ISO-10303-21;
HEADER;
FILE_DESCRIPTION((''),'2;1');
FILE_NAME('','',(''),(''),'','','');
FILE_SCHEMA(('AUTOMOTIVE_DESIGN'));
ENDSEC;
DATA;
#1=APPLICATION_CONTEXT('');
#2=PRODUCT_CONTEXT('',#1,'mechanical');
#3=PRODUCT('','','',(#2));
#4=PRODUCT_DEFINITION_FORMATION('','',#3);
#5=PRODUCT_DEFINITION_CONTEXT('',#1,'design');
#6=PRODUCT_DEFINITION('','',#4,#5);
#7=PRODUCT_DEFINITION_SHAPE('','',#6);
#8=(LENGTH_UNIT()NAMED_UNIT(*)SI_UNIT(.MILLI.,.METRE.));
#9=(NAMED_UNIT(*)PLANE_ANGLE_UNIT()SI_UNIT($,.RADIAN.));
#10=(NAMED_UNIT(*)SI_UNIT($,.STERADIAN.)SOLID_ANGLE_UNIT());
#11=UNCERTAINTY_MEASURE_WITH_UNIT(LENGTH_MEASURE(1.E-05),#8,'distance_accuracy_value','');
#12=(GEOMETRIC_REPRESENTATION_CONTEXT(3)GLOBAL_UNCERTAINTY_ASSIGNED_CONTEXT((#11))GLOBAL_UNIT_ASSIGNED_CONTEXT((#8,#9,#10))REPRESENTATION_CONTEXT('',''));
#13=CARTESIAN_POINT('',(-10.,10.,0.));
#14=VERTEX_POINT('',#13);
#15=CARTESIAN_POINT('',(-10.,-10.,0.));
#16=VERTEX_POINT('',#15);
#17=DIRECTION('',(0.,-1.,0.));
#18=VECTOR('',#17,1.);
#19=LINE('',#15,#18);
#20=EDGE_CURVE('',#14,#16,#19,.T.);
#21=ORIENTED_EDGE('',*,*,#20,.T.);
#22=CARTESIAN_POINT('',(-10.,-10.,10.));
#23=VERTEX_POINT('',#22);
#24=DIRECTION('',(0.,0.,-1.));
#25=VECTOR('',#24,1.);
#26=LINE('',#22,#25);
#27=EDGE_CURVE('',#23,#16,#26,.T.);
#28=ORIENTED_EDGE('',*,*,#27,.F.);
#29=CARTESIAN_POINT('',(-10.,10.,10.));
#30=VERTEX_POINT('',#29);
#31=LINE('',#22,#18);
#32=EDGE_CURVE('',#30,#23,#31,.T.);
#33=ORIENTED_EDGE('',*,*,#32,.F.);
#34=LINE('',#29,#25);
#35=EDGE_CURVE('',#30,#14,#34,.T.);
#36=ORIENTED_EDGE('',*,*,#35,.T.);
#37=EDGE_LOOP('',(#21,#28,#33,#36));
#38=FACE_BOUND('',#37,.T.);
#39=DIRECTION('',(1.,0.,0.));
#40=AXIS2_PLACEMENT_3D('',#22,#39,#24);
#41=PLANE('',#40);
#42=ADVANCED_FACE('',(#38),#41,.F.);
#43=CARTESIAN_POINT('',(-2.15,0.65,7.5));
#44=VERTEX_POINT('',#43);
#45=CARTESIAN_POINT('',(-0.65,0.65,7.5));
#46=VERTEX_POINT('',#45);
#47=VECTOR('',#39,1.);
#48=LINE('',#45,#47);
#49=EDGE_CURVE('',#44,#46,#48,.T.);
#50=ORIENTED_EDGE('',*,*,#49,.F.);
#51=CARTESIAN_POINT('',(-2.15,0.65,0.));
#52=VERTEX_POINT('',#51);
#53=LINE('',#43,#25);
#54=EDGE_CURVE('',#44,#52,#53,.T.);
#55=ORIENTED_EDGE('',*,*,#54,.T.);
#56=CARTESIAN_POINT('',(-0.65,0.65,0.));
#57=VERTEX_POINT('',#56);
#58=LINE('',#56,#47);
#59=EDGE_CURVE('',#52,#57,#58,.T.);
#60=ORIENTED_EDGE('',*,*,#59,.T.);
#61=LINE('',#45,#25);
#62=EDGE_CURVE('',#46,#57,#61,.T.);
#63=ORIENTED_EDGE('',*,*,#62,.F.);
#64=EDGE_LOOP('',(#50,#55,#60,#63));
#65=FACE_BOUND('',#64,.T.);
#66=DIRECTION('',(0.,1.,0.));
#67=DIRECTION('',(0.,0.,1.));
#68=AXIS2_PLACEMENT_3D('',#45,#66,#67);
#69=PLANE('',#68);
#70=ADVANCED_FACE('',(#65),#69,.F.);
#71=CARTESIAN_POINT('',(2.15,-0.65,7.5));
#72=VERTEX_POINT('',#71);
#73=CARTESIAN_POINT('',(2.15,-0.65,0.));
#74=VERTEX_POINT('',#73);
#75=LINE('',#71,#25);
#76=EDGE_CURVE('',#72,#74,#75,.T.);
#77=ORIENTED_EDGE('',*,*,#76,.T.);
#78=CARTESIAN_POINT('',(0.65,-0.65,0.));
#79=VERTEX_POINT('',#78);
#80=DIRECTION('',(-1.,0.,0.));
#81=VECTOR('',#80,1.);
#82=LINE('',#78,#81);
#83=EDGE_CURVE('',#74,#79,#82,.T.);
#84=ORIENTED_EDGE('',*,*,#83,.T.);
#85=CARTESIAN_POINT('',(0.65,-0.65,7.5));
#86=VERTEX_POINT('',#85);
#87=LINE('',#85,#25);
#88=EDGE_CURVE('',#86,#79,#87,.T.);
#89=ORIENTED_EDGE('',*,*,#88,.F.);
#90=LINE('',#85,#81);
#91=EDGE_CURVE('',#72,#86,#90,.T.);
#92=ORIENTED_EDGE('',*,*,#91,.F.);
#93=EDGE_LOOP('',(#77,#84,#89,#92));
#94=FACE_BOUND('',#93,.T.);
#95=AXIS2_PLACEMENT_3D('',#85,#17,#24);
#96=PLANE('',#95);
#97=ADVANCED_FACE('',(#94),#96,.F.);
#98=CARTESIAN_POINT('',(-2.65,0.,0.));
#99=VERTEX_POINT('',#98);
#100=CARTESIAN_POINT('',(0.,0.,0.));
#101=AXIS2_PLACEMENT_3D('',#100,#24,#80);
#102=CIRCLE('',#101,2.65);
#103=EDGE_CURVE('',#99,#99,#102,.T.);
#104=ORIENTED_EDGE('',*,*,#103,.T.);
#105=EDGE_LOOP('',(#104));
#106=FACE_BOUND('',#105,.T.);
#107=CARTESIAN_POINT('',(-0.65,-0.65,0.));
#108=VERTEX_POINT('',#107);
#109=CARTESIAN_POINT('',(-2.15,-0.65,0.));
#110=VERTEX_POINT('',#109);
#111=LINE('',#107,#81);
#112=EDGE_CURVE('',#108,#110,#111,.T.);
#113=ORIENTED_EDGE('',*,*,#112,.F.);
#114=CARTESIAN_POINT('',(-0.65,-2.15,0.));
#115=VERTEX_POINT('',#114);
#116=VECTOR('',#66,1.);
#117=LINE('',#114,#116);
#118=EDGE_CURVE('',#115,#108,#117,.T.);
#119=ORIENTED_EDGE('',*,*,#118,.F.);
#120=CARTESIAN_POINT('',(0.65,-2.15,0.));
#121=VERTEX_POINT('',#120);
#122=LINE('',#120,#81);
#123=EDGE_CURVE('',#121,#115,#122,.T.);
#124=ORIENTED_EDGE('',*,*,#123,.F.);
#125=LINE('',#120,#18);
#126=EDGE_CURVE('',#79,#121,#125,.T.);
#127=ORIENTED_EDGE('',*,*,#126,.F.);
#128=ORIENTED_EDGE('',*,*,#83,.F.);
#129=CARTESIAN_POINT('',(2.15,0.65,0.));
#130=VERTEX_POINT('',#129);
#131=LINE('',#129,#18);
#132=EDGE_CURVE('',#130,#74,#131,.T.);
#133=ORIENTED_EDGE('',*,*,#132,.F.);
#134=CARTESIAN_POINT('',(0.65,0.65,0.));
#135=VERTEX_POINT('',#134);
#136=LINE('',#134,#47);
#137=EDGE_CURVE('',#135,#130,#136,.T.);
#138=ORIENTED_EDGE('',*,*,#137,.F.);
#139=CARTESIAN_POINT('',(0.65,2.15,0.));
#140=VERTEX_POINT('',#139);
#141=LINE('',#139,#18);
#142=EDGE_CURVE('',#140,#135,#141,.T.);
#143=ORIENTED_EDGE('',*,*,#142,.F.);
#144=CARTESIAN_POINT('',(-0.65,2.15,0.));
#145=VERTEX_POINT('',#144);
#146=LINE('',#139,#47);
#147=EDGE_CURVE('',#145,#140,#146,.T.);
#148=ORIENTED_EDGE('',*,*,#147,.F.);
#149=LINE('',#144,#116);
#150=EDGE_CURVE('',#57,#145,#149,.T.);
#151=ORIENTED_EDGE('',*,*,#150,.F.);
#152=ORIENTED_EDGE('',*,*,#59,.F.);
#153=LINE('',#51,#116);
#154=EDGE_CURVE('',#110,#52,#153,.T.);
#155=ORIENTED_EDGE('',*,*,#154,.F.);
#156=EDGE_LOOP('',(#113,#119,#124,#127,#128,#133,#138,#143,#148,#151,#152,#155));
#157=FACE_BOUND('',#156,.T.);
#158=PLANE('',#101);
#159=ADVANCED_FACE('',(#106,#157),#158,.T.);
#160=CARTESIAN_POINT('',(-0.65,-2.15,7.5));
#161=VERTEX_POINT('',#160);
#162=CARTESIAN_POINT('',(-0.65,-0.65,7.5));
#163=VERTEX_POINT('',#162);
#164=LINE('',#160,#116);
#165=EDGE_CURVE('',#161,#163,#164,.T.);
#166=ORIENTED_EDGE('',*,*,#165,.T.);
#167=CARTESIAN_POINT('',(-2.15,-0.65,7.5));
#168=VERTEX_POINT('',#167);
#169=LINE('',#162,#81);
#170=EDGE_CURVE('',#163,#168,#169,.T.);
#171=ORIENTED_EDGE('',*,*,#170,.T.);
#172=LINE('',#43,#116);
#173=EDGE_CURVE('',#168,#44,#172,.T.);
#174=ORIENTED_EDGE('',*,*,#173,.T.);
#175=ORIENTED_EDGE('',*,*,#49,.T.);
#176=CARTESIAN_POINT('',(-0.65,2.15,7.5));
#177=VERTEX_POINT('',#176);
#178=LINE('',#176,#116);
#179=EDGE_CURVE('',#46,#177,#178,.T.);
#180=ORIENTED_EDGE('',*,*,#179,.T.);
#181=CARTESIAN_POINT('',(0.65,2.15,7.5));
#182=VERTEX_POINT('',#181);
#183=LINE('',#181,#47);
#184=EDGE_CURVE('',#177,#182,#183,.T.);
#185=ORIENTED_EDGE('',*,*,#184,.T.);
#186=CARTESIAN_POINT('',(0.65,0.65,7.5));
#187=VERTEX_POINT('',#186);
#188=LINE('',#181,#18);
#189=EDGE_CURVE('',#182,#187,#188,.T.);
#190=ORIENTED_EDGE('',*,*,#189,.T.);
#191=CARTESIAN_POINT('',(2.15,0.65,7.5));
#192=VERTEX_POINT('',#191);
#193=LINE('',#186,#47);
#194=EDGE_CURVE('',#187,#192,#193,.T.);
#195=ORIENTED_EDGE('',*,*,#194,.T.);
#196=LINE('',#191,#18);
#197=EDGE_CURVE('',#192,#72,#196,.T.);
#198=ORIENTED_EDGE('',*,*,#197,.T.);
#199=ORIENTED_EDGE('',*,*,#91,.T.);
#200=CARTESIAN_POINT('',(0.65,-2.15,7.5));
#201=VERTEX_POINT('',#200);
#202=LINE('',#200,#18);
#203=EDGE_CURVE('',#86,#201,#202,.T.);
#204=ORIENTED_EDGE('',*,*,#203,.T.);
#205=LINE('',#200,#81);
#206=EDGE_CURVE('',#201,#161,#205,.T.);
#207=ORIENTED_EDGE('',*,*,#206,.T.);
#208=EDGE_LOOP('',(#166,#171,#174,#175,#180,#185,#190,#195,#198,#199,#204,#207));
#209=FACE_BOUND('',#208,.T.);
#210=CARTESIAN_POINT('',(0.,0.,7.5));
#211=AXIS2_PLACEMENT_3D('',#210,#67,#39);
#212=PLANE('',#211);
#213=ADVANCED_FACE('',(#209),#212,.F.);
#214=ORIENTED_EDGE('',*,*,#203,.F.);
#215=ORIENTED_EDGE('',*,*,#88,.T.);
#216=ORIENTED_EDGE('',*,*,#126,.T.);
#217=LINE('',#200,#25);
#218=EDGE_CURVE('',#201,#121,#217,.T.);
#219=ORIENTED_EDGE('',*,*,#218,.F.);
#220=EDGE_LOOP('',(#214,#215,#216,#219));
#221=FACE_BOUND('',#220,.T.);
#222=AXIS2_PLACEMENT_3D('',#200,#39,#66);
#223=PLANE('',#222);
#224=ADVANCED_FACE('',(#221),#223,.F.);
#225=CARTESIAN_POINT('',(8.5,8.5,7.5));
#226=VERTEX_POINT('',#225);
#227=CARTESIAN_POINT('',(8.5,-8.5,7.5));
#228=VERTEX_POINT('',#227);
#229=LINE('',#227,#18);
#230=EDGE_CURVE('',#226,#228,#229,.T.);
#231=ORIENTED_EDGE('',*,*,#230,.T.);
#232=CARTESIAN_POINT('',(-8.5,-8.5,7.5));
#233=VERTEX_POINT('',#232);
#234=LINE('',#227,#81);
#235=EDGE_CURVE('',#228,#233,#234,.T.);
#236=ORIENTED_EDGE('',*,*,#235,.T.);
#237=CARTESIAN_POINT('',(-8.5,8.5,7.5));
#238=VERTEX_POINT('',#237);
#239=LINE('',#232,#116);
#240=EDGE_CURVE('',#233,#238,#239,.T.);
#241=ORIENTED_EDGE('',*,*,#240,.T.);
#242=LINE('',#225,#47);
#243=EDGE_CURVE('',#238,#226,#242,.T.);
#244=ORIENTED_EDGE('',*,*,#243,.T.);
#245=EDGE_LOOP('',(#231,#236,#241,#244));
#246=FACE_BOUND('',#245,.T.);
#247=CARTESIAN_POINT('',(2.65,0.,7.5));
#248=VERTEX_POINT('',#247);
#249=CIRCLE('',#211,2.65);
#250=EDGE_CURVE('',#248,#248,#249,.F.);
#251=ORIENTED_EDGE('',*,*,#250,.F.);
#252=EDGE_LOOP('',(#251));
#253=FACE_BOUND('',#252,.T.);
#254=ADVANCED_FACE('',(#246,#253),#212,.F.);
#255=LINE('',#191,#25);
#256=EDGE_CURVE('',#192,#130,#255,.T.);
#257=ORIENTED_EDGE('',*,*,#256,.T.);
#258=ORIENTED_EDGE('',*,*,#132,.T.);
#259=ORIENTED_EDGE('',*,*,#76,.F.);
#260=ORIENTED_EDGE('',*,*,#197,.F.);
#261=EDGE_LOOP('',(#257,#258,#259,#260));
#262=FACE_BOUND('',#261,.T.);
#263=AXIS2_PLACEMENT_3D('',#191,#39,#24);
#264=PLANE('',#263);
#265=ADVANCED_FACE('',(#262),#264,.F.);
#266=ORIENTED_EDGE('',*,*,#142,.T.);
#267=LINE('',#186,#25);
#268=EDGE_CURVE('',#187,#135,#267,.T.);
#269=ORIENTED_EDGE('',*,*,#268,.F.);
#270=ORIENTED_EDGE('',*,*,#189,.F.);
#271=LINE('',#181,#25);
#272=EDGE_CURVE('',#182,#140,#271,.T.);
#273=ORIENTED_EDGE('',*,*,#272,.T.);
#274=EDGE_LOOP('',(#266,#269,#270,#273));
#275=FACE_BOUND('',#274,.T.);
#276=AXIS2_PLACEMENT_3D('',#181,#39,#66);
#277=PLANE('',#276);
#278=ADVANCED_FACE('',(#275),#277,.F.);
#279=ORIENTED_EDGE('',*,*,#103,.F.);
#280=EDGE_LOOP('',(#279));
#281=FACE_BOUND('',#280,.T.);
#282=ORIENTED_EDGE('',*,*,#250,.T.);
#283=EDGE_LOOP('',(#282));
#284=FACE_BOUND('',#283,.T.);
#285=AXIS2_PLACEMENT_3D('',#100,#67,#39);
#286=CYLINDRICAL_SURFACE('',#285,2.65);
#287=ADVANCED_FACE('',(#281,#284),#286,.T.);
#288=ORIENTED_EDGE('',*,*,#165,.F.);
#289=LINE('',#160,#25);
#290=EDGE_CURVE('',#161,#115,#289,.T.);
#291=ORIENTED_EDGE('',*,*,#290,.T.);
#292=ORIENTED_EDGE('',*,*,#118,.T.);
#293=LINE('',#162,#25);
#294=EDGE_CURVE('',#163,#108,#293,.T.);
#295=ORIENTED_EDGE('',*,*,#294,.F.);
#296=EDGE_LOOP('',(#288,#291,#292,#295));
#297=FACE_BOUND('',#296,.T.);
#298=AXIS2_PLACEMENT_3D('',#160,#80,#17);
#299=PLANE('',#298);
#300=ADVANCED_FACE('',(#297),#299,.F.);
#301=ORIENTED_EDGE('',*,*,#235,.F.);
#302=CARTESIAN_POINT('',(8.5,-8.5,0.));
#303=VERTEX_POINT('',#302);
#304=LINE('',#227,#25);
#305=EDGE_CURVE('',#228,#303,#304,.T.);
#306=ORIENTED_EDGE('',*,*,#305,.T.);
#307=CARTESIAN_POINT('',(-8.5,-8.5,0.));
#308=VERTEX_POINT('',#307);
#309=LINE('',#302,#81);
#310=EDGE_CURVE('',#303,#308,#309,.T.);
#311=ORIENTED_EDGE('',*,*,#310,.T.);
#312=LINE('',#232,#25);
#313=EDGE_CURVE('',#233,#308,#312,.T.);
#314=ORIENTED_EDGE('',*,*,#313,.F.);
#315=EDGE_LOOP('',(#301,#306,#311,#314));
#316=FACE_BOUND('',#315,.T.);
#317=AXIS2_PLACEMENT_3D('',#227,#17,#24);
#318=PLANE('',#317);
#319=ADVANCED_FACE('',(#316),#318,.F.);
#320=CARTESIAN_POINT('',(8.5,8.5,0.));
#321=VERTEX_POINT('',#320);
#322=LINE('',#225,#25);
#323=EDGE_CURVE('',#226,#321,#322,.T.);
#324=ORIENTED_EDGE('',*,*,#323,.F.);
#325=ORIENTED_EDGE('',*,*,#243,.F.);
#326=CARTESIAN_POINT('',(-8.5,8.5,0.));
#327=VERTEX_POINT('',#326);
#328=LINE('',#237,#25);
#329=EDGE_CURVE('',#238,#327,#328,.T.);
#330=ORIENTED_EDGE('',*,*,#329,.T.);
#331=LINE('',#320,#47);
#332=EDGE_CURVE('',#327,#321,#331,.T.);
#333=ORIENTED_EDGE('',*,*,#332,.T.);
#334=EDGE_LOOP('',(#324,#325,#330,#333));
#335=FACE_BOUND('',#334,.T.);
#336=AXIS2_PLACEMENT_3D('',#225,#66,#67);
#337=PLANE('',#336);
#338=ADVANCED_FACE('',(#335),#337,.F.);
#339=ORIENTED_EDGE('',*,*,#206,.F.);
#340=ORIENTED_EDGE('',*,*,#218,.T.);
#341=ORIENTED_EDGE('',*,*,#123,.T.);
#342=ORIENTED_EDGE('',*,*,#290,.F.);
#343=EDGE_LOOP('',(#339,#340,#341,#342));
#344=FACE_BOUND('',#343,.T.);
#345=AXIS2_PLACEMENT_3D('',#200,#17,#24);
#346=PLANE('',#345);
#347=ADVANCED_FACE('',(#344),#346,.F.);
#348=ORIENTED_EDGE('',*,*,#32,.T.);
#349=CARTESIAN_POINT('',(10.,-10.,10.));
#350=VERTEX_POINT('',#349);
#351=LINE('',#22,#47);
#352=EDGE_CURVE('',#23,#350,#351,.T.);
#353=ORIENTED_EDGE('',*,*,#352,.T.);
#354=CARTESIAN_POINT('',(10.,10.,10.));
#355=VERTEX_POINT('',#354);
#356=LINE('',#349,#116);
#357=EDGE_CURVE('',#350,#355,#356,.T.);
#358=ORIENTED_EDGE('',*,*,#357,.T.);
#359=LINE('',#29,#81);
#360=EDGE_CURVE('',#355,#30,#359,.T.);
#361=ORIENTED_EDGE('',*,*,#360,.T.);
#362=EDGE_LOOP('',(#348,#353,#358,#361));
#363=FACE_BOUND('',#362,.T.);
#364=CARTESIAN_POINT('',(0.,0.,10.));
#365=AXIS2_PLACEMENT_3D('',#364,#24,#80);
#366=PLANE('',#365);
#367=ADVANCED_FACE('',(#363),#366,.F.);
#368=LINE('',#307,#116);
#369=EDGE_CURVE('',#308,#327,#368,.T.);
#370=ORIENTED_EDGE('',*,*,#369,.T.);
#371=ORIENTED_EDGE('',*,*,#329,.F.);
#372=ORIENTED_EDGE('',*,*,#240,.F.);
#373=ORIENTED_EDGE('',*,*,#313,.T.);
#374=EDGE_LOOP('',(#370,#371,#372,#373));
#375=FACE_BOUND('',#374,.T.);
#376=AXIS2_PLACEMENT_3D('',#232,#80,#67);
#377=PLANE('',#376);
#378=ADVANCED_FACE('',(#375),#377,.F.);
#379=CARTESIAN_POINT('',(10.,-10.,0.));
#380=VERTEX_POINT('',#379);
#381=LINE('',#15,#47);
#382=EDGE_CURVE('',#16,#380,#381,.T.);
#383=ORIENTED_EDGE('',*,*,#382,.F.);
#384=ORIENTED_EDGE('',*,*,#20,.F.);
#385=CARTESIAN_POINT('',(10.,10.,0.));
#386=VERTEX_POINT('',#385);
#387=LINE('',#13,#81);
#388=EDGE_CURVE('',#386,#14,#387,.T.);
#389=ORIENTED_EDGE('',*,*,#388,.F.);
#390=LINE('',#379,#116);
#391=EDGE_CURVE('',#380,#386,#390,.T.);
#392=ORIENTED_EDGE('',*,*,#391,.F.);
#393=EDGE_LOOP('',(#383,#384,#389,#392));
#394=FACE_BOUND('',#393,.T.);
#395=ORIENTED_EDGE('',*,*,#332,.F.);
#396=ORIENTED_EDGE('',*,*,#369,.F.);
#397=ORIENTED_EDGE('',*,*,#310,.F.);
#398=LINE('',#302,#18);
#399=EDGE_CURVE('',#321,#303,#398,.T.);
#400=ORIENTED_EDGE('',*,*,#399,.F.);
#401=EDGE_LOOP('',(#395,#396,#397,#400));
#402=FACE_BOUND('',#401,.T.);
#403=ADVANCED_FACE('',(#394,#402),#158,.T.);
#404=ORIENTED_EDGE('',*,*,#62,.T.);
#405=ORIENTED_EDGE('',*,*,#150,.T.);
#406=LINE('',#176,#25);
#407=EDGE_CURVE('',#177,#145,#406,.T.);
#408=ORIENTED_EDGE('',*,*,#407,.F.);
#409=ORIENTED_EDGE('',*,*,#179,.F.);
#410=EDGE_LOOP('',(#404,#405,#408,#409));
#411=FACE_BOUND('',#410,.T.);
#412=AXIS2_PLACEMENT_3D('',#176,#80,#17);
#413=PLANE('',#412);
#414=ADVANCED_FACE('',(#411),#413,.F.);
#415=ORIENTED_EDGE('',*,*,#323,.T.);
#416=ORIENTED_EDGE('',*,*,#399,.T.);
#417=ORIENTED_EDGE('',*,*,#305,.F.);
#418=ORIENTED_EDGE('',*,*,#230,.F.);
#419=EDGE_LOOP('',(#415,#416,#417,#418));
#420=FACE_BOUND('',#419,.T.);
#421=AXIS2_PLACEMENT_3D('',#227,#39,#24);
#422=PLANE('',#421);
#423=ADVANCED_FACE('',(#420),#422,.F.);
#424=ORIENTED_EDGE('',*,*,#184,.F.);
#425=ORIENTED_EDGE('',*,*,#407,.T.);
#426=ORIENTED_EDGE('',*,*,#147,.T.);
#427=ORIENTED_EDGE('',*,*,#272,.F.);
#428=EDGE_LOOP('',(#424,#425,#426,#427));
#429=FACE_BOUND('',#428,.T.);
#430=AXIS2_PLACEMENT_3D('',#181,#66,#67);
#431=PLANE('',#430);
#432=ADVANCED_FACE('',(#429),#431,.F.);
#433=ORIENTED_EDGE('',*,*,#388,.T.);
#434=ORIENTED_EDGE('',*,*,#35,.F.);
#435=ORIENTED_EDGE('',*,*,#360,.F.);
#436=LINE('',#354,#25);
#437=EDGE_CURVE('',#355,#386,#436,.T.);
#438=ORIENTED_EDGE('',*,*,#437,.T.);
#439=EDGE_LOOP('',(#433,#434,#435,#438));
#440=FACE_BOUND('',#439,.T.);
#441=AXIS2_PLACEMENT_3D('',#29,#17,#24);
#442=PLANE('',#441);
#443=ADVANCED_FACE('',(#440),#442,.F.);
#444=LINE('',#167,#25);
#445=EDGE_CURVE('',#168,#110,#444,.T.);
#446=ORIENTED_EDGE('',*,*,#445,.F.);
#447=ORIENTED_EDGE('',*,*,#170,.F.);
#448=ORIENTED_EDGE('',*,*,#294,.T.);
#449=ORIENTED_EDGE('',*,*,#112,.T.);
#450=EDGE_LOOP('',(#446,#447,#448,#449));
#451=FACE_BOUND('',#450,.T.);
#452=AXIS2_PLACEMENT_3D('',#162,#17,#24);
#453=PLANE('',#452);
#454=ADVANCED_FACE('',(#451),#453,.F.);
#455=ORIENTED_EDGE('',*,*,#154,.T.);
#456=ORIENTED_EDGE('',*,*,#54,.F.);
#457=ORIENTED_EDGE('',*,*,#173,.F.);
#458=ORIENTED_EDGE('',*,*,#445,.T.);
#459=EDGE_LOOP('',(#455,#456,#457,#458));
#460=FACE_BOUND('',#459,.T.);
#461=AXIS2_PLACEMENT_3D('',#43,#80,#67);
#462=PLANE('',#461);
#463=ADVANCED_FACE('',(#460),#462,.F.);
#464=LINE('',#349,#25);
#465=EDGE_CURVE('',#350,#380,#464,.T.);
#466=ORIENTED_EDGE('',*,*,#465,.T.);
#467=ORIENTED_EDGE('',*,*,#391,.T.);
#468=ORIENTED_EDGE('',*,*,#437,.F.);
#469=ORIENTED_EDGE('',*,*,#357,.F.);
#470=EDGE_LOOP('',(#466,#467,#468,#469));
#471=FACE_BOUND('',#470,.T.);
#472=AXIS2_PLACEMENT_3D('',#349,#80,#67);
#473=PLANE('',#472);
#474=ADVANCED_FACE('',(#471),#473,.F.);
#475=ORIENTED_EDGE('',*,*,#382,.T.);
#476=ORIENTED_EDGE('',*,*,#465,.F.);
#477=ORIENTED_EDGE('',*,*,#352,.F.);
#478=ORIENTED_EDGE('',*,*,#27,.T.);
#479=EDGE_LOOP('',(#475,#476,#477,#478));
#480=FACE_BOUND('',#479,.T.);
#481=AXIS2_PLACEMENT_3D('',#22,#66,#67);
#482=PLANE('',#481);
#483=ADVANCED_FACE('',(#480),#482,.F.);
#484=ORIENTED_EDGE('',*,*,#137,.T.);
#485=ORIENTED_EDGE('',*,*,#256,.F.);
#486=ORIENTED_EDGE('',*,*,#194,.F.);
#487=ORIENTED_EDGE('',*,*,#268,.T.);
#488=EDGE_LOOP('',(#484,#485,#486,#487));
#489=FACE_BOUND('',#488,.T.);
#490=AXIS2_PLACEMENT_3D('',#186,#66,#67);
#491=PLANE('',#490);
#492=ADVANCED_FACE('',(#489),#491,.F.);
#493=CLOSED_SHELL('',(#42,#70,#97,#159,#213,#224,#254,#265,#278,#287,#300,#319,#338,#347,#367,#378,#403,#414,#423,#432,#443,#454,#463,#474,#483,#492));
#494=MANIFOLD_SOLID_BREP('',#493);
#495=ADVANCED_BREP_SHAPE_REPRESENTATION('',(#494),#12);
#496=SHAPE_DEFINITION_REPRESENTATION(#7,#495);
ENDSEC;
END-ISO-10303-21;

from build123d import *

# Parameters (mm, degrees)
SKICA1_W                 = 20
SKICA1_H                 = 20
P_IDAT_VYSUNUT_M1_DEPTH  = 10
SKICA2_W                 = 17
SKICA2_H                 = 17
ODEBRAT_VYSUNUT_M1_DEPTH = 7.5
SKICA3_R                 = 2.65
P_IDAT_VYSUNUT_M2_DEPTH  = 7.5
ODEBRAT_VYSUNUT_M2_DEPTH = 7.5


with BuildPart() as part:
    # Skica1 → Přidat vysunutím1 (new body)
    with BuildSketch(Plane.XY):
        Rectangle(SKICA1_W, SKICA1_H)
    extrude(amount=P_IDAT_VYSUNUT_M1_DEPTH)

    # Skica2 → Odebrat vysunutím1 (cut)
    with BuildSketch(Plane(origin=(0, 0, 0), x_dir=(-1, 0, 0), z_dir=(0, 0, -1))):
        Rectangle(SKICA2_W, SKICA2_H)
    extrude(amount=-ODEBRAT_VYSUNUT_M1_DEPTH, mode=Mode.SUBTRACT)

    # Skica3 → Přidat vysunutím2 (add)
    with BuildSketch(Plane(origin=(0, 0, 7.5), x_dir=(-1, 0, 0), z_dir=(0, 0, -1))):
        with Locations(Location((0, 0, 0), (0, 0, 180))):
            Circle(SKICA3_R)
    extrude(amount=P_IDAT_VYSUNUT_M2_DEPTH)

    # Skica4 → Odebrat vysunutím2 (cut)
    with BuildSketch(Plane(origin=(0, 0, 0), x_dir=(-1, 0, 0), z_dir=(0, 0, -1))):
        Polygon((-0.65, 2.15), (0.65, 2.15), (0.65, 0.65), (2.15, 0.65), (2.15, -0.65), (0.65, -0.65), (0.65, -2.15), (-0.65, -2.15), (-0.65, -0.65), (-2.15, -0.65), (-2.15, 0.65), (-0.65, 0.65), align=None)
    extrude(amount=-ODEBRAT_VYSUNUT_M2_DEPTH, mode=Mode.SUBTRACT)


solid = part.part
